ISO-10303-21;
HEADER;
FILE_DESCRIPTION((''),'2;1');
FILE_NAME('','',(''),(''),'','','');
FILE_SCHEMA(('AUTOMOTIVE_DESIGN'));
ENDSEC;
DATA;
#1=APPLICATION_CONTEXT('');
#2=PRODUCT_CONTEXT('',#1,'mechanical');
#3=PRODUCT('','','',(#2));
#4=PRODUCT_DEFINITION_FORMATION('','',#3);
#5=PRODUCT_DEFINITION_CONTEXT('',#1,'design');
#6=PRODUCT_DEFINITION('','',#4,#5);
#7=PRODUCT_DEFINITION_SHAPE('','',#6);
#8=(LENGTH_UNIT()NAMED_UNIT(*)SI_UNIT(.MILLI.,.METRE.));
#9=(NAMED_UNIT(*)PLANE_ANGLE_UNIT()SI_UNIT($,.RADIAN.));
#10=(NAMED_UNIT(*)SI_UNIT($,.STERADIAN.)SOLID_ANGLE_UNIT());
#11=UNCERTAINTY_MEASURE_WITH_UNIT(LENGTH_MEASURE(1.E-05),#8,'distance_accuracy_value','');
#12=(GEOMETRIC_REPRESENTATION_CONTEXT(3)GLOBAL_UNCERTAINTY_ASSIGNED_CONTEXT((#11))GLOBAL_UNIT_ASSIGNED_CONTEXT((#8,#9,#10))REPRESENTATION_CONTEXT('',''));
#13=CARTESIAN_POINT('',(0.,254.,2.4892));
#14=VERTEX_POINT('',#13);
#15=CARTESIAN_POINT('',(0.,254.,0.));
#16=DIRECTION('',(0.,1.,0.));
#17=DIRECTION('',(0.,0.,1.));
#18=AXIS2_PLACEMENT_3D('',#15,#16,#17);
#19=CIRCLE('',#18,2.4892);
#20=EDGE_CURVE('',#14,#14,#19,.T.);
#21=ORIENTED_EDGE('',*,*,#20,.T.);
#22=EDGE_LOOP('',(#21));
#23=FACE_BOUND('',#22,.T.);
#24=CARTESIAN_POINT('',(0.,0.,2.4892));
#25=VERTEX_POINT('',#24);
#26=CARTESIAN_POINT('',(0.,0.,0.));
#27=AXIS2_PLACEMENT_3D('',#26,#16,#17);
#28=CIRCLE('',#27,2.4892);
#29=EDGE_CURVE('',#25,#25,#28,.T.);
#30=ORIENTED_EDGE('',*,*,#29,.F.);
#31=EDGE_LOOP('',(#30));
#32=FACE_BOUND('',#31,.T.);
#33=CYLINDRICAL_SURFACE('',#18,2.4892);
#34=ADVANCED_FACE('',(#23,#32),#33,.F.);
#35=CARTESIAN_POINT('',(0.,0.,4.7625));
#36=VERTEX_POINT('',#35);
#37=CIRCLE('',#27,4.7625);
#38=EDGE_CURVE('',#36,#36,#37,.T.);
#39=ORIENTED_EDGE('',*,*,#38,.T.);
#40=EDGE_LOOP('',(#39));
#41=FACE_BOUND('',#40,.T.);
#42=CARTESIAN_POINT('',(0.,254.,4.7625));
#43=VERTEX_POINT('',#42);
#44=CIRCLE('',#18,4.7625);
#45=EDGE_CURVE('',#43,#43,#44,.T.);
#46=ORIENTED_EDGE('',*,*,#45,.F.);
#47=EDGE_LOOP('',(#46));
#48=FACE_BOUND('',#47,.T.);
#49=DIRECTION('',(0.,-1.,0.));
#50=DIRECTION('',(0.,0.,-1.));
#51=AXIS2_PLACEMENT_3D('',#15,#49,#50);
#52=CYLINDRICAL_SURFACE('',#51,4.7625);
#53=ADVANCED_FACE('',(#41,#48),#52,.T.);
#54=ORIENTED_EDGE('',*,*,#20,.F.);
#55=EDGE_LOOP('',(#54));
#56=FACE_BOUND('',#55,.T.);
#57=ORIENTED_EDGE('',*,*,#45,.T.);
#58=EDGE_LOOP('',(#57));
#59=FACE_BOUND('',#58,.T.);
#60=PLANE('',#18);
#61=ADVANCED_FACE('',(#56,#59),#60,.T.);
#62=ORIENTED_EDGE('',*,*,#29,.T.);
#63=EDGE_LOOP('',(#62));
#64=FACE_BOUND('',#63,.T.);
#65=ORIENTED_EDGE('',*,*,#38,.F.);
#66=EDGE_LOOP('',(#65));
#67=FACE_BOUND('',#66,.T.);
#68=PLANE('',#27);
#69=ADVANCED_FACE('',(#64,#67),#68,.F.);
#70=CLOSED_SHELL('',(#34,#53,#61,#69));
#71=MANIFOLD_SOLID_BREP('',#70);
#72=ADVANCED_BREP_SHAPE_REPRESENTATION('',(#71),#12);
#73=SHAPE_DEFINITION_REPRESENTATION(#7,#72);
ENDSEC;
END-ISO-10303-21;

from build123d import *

# Parameters (mm, degrees)
SKETCH1_R                  = 4.7625
BOSS_EXTRUDE1_DEPTH        = 254
F_10_CLEARANCE_HOLE1_D     = 4.9784
F_10_CLEARANCE_HOLE1_DEPTH = 2059.43
F_10_CLEARANCE_HOLE1_TIP   = 1.495662253


with BuildPart() as part:
    # Sketch1 → Boss-Extrude1 (new body)
    with BuildSketch(Plane(origin=(0, 0, 0), x_dir=(1, 0, 0), z_dir=(0, 1, 0))):
        with Locations(Location((0, 0, 0), (0, 0, 270))):
            Circle(SKETCH1_R)
    extrude(amount=BOSS_EXTRUDE1_DEPTH)

    # #10 Clearance Hole1
    with Locations(Plane(origin=(0, 254, 0), x_dir=(-1, 0, 0), z_dir=(0, 1, 0))):
        with Locations((0, 0)):
            Hole(F_10_CLEARANCE_HOLE1_D / 2, depth=F_10_CLEARANCE_HOLE1_DEPTH)
            with Locations((0, 0, -(F_10_CLEARANCE_HOLE1_DEPTH + F_10_CLEARANCE_HOLE1_TIP / 2))):  # 118° drill point
                Cone(0, F_10_CLEARANCE_HOLE1_D / 2, F_10_CLEARANCE_HOLE1_TIP, mode=Mode.SUBTRACT)


solid = part.part
